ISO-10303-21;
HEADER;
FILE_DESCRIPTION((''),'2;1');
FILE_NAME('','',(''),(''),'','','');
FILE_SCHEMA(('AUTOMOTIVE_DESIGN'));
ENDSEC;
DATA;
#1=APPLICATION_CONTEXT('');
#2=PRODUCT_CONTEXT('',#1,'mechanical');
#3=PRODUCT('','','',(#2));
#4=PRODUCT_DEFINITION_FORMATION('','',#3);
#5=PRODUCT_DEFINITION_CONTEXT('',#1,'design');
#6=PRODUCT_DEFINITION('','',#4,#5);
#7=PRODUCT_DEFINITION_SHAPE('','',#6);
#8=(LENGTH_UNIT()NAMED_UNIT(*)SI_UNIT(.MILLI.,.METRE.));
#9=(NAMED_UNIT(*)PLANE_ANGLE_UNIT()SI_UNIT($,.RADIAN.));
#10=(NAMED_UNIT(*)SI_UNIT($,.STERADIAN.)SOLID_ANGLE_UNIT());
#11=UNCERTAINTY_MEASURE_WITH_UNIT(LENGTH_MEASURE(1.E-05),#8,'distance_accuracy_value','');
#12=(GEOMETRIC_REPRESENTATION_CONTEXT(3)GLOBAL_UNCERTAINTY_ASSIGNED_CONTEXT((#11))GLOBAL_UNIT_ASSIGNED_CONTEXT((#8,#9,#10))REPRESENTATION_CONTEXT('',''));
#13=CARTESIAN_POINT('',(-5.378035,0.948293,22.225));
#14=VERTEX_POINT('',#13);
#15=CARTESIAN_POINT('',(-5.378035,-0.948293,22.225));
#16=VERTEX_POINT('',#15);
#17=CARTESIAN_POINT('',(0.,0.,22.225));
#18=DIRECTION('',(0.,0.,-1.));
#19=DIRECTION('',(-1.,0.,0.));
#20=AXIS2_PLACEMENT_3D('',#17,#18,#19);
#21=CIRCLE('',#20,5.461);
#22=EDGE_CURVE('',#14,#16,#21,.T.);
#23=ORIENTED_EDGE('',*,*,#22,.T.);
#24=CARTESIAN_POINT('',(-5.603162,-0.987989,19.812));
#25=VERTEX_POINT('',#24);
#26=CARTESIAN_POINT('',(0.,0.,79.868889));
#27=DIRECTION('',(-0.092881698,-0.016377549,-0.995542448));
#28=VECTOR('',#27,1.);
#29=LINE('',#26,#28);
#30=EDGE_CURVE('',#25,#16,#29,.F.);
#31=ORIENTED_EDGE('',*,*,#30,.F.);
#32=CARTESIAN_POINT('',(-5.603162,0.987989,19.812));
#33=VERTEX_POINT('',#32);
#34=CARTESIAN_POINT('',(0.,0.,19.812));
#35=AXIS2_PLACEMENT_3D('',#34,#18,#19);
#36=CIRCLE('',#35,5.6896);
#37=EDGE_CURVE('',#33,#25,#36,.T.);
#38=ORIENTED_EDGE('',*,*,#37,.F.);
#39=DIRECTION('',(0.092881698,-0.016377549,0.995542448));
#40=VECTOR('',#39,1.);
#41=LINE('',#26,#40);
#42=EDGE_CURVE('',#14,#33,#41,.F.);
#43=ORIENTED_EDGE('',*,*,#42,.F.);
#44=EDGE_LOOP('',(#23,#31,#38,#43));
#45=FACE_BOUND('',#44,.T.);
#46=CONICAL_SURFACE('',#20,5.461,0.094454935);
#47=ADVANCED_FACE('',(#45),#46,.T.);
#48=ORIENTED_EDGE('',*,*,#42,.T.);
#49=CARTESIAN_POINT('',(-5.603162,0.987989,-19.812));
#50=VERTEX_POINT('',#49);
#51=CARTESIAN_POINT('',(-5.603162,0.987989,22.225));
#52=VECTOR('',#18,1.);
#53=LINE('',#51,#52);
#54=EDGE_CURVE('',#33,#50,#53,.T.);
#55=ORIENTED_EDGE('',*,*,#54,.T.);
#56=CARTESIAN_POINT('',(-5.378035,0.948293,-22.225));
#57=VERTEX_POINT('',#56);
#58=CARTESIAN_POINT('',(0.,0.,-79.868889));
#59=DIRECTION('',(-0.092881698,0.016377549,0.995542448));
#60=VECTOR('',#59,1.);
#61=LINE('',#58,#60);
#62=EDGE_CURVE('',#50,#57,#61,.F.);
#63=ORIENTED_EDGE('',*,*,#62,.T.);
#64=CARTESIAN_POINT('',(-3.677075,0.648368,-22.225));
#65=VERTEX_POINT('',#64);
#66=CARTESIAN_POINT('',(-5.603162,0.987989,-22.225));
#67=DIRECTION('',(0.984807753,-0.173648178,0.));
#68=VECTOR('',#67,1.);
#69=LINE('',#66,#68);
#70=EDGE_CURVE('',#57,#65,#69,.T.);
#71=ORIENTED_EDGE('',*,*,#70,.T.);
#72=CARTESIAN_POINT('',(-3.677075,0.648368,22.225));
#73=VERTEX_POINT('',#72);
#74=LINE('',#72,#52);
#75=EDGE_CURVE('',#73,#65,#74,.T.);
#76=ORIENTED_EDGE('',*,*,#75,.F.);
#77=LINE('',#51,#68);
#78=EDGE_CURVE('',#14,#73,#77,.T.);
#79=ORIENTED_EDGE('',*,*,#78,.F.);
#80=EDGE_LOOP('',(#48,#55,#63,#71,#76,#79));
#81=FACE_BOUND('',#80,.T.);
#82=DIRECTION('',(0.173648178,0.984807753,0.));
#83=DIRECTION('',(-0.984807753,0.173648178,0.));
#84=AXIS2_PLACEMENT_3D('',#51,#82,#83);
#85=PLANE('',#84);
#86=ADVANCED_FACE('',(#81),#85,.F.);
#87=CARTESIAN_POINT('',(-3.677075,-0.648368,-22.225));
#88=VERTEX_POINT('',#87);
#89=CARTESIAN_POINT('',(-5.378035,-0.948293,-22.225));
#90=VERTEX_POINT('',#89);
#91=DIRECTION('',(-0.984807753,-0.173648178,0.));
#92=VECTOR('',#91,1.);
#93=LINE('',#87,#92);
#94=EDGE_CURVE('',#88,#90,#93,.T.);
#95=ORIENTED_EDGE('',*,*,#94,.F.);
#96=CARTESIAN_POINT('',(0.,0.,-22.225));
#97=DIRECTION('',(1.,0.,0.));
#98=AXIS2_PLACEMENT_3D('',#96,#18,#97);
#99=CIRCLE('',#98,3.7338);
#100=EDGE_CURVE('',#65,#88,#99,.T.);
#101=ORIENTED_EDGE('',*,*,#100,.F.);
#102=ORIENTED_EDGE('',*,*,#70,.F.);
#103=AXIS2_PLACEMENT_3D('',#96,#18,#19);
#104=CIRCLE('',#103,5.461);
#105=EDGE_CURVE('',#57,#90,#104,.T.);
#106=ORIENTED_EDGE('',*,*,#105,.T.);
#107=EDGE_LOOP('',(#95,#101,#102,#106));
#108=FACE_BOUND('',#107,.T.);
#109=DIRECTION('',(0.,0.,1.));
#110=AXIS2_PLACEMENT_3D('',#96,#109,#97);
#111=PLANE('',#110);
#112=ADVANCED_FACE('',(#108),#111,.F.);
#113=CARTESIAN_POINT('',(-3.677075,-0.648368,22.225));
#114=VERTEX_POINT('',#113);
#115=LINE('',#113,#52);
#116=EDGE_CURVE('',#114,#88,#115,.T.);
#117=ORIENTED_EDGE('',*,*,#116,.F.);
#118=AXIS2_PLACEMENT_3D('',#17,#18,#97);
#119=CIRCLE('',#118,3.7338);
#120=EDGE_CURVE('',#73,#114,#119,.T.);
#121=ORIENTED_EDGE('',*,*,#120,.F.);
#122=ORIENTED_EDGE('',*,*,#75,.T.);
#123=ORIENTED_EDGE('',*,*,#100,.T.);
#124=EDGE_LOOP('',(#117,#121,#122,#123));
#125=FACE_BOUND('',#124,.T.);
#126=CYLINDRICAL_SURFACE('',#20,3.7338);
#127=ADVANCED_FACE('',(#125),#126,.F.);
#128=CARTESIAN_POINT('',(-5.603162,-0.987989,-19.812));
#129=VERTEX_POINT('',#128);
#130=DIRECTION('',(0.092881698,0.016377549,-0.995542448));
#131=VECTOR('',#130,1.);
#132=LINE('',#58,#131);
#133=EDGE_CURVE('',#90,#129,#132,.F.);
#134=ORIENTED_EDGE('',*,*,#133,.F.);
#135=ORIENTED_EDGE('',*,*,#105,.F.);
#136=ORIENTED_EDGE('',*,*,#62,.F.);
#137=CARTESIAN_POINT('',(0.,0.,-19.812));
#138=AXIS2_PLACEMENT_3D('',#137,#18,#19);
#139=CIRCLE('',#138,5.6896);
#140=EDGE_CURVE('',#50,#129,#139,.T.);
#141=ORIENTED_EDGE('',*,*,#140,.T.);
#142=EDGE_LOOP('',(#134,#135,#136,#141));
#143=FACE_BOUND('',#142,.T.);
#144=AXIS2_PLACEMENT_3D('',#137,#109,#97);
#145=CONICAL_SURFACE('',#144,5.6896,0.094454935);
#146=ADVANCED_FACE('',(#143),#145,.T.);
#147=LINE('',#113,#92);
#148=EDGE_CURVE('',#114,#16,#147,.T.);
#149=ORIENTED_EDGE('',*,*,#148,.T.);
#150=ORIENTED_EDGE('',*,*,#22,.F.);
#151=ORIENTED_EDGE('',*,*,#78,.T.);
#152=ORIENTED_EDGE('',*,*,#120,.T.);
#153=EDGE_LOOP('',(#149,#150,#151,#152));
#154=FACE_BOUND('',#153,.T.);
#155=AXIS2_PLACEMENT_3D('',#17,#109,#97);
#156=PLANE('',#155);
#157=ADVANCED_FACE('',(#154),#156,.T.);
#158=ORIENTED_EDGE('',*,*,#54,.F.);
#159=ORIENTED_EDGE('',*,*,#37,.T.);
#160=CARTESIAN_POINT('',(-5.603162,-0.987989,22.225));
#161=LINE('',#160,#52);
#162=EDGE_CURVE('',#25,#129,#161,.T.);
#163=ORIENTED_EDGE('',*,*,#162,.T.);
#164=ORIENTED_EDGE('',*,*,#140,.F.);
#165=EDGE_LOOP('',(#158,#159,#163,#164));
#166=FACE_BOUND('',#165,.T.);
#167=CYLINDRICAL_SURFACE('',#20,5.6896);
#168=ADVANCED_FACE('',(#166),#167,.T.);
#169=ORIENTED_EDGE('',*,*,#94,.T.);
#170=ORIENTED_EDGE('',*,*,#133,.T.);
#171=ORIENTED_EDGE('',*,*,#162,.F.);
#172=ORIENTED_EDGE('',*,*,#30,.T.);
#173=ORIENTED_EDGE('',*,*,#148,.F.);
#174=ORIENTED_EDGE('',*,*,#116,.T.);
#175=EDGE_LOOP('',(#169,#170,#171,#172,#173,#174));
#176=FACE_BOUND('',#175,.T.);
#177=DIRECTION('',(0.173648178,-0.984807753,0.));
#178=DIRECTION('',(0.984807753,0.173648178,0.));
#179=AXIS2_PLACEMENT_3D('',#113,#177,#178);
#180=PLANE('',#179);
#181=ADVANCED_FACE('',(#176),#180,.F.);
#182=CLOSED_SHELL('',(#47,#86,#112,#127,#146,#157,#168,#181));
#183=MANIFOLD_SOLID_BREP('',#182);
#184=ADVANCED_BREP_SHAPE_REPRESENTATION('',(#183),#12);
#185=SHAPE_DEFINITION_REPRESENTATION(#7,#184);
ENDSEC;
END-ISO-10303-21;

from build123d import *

# Parameters (mm, degrees)
EXTRUDE1_DEPTH = 22.225


with BuildPart() as part:
    # Sketch1 → Extrude1 (new body, symmetric)
    with BuildSketch(Plane.XY):
        with BuildLine():
            Line((-5.603162192, 0.987988672), (-3.677075188, 0.648367566))
            ThreePointArc((-3.677075188, 0.648367566), (3.7338, 0), (-3.677075188, -0.648367566))
            Line((-3.677075188, -0.648367566), (-5.603162192, -0.987988672))
            ThreePointArc((-5.603162192, -0.987988672), (5.6896, 0), (-5.603162192, 0.987988672))
        make_face()
    extrude(amount=EXTRUDE1_DEPTH, both=True)

    # Sketch2 → Cut-Revolve1 (revolve, cut)
    with BuildSketch(Plane(origin=(0, 0, 0), x_dir=(0, 0, -1), z_dir=(1, 0, 0))):
        Polygon((22.225, 5.6896), (22.225, 5.461), (19.812, 5.6896), align=None)
        Polygon((-19.812, 5.6896), (-22.225, 5.6896), (-22.225, 5.461), align=None)
    revolve(axis=Axis((0, 0, -22.225), (0, 0, 1)), mode=Mode.SUBTRACT)


solid = part.part
